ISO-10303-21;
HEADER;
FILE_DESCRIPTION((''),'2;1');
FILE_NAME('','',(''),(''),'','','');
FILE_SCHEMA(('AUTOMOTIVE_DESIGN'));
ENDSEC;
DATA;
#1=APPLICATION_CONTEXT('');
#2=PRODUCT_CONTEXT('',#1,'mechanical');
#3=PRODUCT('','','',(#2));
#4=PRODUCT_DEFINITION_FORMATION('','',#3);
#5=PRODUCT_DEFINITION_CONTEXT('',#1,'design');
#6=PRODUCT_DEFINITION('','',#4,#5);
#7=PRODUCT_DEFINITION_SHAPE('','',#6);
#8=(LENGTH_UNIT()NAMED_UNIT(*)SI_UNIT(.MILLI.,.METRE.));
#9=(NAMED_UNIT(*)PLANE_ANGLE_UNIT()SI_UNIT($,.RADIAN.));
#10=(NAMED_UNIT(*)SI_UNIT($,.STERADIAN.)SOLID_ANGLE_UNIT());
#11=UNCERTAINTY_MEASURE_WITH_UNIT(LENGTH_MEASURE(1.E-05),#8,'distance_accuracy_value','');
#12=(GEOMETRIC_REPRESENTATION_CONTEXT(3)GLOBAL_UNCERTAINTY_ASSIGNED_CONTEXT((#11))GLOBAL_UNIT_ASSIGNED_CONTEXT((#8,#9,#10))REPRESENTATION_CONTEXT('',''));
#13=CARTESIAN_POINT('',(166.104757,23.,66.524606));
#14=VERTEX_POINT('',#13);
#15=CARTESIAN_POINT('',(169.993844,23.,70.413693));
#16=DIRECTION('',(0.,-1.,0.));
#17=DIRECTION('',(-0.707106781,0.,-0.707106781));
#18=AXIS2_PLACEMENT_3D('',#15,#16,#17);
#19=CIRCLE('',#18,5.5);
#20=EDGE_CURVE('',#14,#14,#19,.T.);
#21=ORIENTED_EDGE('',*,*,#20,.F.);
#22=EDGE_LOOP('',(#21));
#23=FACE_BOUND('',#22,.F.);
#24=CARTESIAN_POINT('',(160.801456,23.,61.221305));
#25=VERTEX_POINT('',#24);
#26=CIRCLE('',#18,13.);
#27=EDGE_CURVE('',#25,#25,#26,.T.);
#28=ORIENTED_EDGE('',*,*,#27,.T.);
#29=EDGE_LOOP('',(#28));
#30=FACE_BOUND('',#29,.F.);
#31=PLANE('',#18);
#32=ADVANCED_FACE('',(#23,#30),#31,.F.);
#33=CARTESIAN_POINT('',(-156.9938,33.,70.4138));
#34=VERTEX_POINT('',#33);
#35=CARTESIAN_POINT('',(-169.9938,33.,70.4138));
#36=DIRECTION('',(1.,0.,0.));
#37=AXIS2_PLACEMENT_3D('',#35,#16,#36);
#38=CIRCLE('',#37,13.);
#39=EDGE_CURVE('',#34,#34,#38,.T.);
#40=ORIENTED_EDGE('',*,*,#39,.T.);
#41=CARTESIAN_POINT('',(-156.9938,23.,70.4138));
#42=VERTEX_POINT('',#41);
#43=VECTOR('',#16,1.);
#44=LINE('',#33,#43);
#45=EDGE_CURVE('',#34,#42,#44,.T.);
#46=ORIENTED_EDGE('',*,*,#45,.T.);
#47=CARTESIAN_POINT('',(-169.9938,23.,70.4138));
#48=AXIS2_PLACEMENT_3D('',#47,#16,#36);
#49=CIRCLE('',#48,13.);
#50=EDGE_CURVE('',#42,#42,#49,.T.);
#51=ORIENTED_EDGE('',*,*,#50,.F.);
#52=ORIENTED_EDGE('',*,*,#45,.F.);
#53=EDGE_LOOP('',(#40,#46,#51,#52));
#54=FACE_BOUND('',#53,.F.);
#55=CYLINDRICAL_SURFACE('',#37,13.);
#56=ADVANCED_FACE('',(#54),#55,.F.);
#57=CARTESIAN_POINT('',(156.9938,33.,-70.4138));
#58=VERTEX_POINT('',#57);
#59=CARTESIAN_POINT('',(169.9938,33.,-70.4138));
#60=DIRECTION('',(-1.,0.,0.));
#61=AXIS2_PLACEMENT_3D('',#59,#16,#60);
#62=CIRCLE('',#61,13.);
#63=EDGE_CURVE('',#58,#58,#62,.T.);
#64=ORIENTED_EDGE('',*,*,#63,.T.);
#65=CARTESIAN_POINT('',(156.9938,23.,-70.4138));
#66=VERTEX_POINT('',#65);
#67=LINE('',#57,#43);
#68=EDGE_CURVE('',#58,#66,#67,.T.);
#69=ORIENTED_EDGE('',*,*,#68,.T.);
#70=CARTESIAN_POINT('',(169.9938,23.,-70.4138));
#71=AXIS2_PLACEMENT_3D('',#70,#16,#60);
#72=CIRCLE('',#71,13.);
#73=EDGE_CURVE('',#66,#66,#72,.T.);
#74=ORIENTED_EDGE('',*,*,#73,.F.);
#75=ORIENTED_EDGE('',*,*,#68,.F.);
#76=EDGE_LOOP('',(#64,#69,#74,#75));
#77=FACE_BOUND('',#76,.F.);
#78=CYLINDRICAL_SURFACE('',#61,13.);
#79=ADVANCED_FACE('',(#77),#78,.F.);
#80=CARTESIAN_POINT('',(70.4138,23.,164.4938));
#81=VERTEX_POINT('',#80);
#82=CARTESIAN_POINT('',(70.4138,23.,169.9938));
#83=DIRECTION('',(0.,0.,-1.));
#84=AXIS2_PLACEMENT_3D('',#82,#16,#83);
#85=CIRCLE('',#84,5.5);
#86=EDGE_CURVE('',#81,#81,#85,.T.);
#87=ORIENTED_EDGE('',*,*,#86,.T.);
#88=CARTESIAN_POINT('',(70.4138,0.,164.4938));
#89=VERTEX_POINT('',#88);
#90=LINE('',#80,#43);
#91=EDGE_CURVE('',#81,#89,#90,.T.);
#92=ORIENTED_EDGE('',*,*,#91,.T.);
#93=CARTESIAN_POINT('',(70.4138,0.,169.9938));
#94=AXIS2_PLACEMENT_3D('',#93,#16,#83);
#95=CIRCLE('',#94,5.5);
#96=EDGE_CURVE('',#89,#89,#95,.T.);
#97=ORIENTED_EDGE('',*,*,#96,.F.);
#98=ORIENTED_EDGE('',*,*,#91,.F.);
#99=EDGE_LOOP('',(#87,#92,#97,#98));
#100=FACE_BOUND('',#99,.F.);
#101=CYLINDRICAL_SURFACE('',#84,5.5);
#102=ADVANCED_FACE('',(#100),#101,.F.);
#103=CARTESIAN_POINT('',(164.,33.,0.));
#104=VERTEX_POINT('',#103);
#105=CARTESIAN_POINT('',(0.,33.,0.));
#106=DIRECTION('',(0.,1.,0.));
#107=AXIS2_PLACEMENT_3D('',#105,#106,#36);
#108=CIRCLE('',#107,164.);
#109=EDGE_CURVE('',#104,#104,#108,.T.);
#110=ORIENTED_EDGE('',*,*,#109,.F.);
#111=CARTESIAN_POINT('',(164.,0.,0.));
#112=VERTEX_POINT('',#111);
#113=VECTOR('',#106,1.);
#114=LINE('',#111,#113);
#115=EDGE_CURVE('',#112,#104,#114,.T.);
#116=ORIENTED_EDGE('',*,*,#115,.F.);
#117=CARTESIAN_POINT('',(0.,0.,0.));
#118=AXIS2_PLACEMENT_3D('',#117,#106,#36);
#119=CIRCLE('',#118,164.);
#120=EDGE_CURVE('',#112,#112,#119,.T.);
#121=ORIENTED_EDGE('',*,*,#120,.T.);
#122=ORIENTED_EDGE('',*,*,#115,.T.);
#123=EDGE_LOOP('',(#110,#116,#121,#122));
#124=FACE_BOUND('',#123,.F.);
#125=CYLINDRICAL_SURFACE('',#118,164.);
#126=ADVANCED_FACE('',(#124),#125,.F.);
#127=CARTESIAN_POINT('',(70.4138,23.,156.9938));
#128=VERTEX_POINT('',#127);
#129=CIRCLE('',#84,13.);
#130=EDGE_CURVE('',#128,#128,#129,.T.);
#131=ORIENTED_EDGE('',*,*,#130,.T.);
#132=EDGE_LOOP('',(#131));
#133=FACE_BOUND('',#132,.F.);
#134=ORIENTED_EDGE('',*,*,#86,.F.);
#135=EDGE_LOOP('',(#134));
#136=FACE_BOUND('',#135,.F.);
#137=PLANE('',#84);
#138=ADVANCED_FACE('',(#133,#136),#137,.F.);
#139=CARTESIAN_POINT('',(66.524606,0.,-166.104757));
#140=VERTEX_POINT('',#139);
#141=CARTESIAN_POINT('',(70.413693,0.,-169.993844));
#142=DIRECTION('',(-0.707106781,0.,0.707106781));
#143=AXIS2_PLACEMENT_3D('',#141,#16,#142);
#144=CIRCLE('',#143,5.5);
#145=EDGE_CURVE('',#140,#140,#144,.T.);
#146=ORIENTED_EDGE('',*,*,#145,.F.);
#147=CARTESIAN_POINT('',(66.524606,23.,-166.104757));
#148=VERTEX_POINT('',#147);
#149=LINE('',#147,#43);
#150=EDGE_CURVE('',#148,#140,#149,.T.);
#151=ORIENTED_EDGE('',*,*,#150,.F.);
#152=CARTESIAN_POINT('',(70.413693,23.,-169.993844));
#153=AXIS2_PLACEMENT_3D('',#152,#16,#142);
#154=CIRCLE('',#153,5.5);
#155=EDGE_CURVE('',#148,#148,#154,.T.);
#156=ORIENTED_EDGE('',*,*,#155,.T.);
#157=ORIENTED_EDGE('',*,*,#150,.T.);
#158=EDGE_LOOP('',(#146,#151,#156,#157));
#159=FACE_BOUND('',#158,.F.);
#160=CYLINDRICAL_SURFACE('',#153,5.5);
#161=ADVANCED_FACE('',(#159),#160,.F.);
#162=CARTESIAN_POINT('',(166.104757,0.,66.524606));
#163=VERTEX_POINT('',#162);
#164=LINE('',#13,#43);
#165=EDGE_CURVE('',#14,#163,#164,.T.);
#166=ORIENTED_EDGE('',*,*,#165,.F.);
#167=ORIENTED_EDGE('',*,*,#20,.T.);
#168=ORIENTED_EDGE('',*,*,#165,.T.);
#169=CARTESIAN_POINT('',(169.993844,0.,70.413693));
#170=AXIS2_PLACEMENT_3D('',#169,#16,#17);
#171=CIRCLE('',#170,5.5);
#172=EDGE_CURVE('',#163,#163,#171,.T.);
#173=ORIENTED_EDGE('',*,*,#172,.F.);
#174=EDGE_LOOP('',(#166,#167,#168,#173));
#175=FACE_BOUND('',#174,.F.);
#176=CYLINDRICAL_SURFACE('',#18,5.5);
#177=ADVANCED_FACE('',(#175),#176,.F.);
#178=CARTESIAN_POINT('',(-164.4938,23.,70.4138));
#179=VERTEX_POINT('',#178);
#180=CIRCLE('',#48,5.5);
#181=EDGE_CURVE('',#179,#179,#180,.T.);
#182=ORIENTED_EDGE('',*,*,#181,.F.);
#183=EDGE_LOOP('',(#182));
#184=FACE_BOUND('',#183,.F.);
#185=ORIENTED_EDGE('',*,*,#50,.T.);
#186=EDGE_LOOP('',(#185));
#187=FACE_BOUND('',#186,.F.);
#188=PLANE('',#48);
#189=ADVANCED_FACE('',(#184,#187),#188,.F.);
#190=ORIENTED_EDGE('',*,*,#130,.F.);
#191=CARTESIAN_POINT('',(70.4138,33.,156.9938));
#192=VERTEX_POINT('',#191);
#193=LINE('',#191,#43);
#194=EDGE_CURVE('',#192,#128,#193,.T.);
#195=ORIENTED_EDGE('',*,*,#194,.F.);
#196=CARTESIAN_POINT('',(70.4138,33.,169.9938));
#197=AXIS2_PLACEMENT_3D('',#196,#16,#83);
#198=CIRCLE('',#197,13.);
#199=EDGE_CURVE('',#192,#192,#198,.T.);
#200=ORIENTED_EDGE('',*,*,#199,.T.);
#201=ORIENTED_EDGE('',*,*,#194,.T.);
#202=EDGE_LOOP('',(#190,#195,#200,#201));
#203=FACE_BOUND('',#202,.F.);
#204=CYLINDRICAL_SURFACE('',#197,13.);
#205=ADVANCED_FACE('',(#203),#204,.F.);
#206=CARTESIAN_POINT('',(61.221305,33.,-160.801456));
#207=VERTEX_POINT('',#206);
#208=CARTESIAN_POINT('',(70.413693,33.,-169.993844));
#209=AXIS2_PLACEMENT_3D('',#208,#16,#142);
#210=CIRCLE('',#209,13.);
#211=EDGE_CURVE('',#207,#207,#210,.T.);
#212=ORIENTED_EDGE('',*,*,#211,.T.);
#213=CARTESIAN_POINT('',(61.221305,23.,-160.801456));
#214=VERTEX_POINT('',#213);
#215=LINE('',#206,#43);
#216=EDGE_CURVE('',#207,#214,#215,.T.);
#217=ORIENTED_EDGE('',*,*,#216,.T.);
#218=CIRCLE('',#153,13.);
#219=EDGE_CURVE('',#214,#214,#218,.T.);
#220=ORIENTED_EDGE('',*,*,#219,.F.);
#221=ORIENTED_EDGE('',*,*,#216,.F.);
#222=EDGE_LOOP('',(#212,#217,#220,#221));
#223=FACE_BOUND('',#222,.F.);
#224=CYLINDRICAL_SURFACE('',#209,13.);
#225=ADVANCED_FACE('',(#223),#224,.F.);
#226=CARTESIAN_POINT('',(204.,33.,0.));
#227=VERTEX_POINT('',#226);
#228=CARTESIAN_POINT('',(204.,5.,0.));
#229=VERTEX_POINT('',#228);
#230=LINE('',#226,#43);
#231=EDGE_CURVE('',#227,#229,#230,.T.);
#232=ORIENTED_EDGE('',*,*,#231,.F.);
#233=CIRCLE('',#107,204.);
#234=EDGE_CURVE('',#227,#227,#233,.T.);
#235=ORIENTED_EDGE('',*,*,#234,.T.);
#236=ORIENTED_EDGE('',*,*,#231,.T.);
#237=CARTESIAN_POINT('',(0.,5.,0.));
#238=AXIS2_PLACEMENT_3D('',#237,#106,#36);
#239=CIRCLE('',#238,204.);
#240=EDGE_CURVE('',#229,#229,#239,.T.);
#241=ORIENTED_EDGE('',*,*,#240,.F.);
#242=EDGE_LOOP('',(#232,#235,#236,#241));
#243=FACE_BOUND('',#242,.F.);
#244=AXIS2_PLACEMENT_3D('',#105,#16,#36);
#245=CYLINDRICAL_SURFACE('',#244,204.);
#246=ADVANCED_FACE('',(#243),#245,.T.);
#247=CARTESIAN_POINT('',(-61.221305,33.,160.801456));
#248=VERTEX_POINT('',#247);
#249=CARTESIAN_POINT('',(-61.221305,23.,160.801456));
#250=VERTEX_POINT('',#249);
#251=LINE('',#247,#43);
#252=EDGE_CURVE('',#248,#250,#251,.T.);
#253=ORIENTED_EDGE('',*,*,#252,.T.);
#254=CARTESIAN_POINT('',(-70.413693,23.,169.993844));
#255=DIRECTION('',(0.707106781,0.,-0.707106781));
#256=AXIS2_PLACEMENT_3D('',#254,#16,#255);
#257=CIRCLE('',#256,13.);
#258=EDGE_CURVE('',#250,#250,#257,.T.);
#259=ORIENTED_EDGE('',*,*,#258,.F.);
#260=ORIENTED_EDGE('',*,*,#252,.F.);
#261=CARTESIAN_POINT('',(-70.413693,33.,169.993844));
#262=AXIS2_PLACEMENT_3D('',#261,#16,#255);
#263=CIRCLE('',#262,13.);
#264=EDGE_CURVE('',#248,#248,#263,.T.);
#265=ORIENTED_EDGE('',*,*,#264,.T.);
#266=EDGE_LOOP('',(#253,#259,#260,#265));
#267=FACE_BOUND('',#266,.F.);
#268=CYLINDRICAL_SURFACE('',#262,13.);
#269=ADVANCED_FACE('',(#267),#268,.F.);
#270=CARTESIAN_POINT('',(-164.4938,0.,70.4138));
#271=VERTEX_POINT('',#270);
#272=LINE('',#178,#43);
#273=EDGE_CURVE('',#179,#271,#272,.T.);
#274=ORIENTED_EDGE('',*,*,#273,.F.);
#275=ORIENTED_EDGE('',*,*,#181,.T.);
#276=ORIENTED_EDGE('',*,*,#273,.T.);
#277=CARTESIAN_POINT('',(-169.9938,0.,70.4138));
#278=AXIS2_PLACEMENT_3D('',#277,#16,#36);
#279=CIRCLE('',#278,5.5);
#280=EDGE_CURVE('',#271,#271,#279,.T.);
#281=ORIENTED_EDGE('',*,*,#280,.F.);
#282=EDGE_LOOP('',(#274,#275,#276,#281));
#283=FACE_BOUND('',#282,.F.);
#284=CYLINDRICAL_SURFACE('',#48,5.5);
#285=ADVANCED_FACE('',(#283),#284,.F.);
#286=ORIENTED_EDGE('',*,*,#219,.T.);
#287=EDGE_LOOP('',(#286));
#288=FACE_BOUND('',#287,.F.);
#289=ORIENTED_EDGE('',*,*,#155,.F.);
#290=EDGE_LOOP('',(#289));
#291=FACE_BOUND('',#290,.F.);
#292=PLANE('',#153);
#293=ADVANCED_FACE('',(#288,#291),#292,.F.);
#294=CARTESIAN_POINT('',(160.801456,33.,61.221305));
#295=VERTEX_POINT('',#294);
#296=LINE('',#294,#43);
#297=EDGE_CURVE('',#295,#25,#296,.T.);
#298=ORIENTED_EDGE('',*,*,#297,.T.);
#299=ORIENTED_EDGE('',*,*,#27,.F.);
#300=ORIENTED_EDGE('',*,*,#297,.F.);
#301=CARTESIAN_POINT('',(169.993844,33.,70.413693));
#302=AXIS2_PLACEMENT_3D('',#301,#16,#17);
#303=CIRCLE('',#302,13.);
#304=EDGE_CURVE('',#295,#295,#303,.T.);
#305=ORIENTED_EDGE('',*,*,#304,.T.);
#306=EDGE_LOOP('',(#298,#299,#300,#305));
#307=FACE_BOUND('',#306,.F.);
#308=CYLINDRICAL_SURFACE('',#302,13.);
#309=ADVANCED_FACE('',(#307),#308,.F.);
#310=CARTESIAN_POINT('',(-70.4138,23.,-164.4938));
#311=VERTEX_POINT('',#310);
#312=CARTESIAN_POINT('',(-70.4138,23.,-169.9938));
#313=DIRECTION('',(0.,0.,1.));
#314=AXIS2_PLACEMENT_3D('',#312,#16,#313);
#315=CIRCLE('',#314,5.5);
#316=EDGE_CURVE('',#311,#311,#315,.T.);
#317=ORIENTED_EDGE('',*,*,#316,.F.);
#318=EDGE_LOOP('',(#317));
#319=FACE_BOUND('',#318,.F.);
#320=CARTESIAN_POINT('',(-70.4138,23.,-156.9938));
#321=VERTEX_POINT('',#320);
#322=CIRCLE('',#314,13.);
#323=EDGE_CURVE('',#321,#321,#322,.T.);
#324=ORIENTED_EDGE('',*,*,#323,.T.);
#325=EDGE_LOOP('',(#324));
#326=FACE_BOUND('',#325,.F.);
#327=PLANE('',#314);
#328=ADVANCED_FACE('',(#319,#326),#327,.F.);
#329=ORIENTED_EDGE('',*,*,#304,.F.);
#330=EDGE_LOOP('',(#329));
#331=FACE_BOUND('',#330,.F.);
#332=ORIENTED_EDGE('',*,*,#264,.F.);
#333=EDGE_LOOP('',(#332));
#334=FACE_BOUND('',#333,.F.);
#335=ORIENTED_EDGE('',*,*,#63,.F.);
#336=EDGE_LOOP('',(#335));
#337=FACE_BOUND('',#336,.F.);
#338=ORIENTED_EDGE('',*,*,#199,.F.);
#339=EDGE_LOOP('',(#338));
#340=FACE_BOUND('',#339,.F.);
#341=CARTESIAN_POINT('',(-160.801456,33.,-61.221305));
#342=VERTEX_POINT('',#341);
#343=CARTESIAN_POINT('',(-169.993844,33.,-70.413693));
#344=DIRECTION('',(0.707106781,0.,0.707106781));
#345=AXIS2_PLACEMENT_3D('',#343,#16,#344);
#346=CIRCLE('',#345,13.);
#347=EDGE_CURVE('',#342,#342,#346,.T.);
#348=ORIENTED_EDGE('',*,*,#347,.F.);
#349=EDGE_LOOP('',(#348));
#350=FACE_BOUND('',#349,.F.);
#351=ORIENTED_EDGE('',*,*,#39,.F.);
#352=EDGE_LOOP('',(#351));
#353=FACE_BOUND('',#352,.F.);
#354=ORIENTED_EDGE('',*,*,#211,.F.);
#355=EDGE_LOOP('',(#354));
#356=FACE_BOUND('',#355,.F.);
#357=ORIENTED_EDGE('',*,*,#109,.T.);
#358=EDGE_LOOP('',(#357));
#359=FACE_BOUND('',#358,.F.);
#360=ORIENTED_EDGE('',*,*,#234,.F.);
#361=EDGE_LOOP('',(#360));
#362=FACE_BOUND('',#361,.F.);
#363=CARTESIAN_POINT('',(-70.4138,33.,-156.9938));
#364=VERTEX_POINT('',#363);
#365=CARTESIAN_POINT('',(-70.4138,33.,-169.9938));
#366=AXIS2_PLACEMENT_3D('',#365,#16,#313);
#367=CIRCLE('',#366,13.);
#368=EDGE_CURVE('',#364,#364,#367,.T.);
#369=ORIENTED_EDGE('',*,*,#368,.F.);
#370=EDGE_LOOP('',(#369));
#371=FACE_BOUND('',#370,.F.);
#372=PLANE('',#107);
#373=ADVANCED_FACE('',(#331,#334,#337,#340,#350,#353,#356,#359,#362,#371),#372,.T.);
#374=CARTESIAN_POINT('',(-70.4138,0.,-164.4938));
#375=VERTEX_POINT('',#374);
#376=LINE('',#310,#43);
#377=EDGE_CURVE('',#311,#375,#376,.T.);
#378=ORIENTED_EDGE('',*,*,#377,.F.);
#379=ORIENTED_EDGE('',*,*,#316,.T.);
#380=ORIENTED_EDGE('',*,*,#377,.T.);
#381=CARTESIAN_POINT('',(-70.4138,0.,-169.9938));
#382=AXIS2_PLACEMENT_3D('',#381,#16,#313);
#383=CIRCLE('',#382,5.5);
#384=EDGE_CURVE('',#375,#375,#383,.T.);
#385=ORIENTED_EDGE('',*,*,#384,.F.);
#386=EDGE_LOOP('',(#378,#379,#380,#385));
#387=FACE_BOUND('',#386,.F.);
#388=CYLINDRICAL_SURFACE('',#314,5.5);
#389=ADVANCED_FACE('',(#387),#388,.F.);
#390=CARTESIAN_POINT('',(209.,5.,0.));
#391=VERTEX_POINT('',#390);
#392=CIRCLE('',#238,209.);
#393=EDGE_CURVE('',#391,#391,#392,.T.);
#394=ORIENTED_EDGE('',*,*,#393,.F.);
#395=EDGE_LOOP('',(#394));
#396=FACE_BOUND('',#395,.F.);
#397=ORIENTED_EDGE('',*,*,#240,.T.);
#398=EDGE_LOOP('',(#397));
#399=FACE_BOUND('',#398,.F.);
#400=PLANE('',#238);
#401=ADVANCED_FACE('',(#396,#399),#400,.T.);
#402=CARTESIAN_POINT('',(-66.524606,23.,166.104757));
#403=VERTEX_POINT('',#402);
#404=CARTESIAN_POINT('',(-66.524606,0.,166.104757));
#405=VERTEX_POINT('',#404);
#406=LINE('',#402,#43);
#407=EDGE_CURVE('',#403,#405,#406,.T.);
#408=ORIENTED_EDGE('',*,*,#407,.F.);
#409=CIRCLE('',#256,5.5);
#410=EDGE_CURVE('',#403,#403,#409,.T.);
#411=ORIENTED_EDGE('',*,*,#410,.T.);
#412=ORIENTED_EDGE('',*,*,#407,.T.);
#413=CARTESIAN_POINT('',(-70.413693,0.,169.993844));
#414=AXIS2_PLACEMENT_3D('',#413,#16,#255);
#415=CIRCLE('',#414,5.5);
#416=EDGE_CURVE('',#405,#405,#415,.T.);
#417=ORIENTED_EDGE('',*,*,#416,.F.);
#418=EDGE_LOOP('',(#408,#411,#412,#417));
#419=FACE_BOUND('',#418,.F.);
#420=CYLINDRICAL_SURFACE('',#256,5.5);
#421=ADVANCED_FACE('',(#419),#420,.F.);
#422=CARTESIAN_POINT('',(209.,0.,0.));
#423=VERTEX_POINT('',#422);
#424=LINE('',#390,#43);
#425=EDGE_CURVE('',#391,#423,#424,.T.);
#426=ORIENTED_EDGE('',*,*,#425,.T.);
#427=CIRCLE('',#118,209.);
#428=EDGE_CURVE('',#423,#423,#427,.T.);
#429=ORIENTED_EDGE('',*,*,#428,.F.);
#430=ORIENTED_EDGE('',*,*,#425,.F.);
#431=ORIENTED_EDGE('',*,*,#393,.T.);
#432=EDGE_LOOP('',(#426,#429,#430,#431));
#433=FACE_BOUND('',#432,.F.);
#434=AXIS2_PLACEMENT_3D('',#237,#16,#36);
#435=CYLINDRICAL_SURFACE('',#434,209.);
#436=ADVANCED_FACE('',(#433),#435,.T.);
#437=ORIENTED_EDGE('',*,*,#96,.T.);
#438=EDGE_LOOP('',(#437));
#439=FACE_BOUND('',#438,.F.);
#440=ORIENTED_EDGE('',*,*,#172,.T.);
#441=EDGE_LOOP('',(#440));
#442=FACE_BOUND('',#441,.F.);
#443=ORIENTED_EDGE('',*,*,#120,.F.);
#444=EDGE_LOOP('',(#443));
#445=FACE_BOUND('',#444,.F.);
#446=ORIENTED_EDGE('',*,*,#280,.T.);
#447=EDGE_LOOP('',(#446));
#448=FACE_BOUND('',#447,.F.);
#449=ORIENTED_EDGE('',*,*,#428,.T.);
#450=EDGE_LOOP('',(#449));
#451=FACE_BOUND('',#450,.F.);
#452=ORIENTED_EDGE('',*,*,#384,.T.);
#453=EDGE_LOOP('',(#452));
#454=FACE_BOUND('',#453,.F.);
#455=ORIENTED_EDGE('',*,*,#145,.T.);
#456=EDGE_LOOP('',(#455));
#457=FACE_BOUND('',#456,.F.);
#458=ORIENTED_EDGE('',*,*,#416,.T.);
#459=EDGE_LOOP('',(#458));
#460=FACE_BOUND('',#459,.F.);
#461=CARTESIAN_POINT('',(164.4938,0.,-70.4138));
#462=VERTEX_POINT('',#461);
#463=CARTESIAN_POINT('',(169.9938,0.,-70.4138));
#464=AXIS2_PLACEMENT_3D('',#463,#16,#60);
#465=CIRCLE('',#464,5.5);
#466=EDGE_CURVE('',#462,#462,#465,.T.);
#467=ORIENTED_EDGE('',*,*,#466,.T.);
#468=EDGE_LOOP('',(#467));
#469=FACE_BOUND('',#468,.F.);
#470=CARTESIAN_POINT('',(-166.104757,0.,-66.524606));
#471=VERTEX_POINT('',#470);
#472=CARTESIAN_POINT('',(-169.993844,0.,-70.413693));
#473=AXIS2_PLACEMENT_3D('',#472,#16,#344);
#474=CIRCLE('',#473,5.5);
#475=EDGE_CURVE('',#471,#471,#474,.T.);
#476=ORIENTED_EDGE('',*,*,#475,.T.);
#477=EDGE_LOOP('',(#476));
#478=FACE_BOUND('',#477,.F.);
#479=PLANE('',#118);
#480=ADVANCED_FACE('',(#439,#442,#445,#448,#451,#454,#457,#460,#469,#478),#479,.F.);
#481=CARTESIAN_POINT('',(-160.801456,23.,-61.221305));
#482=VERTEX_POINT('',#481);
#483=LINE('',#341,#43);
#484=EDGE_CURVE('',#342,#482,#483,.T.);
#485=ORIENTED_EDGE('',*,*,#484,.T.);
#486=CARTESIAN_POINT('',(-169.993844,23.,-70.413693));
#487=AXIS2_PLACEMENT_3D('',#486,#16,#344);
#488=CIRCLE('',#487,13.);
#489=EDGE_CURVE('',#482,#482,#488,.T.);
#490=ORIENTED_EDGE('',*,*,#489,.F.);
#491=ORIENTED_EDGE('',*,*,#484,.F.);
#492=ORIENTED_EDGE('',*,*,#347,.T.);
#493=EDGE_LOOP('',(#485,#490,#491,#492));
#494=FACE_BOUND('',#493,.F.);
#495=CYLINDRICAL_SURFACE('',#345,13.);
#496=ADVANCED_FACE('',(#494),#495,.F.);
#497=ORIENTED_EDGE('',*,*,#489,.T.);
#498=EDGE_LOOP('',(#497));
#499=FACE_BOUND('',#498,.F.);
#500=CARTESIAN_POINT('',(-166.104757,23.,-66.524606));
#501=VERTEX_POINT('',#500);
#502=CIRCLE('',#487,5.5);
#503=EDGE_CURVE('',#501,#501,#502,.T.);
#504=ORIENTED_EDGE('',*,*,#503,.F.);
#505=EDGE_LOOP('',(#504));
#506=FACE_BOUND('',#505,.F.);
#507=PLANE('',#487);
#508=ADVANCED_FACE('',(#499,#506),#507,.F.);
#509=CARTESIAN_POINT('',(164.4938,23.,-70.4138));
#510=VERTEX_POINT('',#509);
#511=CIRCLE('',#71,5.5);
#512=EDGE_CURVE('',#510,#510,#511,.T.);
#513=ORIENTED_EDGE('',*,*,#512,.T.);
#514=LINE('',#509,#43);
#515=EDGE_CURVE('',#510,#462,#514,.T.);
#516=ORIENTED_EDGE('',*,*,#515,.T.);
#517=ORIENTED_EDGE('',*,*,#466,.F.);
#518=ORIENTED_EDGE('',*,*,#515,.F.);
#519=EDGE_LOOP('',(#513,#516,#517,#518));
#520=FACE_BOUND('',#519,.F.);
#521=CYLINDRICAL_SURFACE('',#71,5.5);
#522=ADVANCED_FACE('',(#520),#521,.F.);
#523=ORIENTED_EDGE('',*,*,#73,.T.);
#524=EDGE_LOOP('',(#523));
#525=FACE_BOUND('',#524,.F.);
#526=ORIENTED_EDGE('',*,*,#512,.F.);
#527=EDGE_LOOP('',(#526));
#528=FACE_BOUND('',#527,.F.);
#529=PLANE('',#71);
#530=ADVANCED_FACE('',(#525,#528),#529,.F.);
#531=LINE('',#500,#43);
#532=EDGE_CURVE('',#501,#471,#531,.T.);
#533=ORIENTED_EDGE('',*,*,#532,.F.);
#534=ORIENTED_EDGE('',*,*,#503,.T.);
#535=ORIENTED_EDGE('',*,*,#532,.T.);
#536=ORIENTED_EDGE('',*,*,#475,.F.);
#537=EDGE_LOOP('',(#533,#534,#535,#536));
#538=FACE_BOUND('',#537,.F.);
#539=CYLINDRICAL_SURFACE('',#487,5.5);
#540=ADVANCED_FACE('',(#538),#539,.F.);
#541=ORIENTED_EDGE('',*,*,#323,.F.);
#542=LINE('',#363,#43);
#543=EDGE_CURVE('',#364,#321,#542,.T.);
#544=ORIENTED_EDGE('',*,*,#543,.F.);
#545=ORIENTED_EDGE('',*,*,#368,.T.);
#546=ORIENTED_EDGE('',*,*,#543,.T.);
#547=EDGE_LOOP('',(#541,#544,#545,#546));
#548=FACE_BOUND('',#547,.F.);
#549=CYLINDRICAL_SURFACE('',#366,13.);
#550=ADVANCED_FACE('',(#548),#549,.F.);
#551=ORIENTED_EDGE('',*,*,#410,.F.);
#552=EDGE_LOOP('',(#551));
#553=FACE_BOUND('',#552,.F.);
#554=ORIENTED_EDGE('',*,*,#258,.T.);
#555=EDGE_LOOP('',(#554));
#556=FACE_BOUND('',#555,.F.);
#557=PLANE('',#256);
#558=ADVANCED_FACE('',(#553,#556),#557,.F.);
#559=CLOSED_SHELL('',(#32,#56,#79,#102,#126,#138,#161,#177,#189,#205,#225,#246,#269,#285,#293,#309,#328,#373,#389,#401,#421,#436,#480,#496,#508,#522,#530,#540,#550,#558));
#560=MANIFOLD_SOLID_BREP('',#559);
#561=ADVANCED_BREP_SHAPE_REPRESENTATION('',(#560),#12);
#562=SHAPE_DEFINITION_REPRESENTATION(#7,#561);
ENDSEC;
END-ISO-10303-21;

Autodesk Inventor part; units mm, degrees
ref_plane "YZ Plane" through (0, 0, 0) normal (1, 0, 0) x (0, 1, 0)
ref_plane "XZ Plane" through (0, 0, 0) normal (0, 1, 0) x (-1, 0, 0)
ref_plane "XY Plane" through (0, 0, 0) normal (0, 0, 1) x (1, 0, 0)
sketch "Sketch5" plane through (0, 0, 0) normal (0, 0, 1) x (1, 0, 0)
  line L0 (0, 0) -> (0, 33)
  line L1 (164, 0) -> (164, 33)
  line L2 (164, 33) -> (204, 33)
  line L3 (204, 33) -> (204, 5)
  line L4 (204, 5) -> (209, 5)
  line L5 (209, 5) -> (209, 0)
  line L6 (209, 0) -> (164, 0)
  point P0 (186.5, 0)
  dimension "d16" = 328
  dimension "d17" = 408
  dimension "d19" = 28
  dimension "d20" = 5
  dimension "d21" = 5
revolve "Revolution1" add sketch "Sketch5" angle 360 about axis through (0, 0, 0) along (0, 1, 0)
sketch "Sketch6" plane through (0, 33, 0) normal (0, 1, 0) x (1, 0, 0)
  circle A0 centre (0, 0) radius 184
  line L0 (0, 0) -> (-70.4138, 169.9938)
  line L1 (0, 0) -> (0, 184)
  dimension "d23" = 368
  dimension "d34" = 22.5
hole "Hole1" at (-70.4138, 33, -169.9938) direction (0, -1, 0) diameter 11 end through all counterbore diameter 26 counterbore depth 10
pattern_circular "Circular Pattern2" count 8 over 360 about axis through (0, -10, 0) along (0, 1, 0) of "Hole1"
equation "\"d29\" = Thickness"
equation "\"Thickness\" = 40"
properties part number "DMF 01 32 Барабан Опорное кольцо КОРМА v2.1"
